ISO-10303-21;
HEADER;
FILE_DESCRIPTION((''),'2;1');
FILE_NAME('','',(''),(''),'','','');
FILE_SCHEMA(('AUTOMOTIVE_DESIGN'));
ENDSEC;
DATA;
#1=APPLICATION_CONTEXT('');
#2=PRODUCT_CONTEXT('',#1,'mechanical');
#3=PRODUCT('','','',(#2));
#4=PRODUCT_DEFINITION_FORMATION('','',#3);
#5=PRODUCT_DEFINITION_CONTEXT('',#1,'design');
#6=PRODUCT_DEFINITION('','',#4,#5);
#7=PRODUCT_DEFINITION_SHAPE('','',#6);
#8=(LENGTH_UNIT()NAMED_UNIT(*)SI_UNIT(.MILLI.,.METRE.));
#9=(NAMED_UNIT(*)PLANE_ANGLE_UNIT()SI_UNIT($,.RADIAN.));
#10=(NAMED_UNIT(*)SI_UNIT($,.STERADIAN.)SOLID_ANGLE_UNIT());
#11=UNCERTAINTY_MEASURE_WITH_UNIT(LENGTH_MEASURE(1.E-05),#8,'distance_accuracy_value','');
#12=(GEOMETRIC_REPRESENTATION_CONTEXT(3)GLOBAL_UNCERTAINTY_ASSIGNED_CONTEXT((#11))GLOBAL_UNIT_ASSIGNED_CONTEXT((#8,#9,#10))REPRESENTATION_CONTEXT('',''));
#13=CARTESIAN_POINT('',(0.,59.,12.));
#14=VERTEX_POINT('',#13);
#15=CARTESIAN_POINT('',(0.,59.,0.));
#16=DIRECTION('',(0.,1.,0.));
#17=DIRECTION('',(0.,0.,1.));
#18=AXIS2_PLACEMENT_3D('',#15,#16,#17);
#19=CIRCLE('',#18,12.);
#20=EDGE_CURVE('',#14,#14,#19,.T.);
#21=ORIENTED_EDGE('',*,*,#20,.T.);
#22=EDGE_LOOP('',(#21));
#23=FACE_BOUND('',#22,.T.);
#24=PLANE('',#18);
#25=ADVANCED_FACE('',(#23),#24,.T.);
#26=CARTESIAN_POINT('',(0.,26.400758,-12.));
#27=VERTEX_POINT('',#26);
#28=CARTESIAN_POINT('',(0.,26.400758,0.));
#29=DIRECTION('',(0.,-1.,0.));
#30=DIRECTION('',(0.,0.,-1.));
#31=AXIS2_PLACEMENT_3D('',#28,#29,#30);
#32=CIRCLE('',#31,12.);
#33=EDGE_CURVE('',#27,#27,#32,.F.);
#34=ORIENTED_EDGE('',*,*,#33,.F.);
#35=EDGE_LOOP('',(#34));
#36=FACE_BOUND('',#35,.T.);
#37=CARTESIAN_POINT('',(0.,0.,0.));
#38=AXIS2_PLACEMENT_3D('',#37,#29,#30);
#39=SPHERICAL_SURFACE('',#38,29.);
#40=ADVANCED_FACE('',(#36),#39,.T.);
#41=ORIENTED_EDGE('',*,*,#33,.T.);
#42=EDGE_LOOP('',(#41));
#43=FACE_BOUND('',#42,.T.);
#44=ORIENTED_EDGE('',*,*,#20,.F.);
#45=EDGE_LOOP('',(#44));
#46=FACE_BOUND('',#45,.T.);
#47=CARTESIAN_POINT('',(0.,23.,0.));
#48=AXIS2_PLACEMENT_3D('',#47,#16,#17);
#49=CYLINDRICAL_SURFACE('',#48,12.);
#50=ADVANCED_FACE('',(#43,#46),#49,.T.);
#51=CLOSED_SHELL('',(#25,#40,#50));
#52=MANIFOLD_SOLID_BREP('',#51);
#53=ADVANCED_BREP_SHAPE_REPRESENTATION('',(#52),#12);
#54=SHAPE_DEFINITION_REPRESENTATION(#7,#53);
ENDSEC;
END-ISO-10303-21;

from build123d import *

# Parameters (mm, degrees)
BOSS_EXTRUDE1_DEPTH      = 30
BOSS_EXTRUDE1_DEPTH_BACK = 6
SKETCH2_R                = 12


with BuildPart() as part:
    # Sketch1 → Revolve1 (revolve)
    with BuildSketch(Plane(origin=(0, 0, 0), x_dir=(1, 0, 0), z_dir=(0, 1, 0))):
        with BuildLine():
            Line((0, -29), (0, 29))
            ThreePointArc((0, 29), (29, 0), (0, -29))
        make_face()
    revolve(axis=Axis((0, 0, 29), (0, 0, -1)))

    # Sketch2 → Boss-Extrude1 (add, two sides: drawn at the far end of the back side and taken through both)
    with BuildSketch(Plane(origin=(0, 29, 0), x_dir=(1, 0, 0), z_dir=(0, 1, 0)).offset(-BOSS_EXTRUDE1_DEPTH_BACK)):
        with Locations(Location((0, 0, 0), (0, 0, 270))):
            Circle(SKETCH2_R)
    extrude(amount=BOSS_EXTRUDE1_DEPTH + BOSS_EXTRUDE1_DEPTH_BACK)


solid = part.part
